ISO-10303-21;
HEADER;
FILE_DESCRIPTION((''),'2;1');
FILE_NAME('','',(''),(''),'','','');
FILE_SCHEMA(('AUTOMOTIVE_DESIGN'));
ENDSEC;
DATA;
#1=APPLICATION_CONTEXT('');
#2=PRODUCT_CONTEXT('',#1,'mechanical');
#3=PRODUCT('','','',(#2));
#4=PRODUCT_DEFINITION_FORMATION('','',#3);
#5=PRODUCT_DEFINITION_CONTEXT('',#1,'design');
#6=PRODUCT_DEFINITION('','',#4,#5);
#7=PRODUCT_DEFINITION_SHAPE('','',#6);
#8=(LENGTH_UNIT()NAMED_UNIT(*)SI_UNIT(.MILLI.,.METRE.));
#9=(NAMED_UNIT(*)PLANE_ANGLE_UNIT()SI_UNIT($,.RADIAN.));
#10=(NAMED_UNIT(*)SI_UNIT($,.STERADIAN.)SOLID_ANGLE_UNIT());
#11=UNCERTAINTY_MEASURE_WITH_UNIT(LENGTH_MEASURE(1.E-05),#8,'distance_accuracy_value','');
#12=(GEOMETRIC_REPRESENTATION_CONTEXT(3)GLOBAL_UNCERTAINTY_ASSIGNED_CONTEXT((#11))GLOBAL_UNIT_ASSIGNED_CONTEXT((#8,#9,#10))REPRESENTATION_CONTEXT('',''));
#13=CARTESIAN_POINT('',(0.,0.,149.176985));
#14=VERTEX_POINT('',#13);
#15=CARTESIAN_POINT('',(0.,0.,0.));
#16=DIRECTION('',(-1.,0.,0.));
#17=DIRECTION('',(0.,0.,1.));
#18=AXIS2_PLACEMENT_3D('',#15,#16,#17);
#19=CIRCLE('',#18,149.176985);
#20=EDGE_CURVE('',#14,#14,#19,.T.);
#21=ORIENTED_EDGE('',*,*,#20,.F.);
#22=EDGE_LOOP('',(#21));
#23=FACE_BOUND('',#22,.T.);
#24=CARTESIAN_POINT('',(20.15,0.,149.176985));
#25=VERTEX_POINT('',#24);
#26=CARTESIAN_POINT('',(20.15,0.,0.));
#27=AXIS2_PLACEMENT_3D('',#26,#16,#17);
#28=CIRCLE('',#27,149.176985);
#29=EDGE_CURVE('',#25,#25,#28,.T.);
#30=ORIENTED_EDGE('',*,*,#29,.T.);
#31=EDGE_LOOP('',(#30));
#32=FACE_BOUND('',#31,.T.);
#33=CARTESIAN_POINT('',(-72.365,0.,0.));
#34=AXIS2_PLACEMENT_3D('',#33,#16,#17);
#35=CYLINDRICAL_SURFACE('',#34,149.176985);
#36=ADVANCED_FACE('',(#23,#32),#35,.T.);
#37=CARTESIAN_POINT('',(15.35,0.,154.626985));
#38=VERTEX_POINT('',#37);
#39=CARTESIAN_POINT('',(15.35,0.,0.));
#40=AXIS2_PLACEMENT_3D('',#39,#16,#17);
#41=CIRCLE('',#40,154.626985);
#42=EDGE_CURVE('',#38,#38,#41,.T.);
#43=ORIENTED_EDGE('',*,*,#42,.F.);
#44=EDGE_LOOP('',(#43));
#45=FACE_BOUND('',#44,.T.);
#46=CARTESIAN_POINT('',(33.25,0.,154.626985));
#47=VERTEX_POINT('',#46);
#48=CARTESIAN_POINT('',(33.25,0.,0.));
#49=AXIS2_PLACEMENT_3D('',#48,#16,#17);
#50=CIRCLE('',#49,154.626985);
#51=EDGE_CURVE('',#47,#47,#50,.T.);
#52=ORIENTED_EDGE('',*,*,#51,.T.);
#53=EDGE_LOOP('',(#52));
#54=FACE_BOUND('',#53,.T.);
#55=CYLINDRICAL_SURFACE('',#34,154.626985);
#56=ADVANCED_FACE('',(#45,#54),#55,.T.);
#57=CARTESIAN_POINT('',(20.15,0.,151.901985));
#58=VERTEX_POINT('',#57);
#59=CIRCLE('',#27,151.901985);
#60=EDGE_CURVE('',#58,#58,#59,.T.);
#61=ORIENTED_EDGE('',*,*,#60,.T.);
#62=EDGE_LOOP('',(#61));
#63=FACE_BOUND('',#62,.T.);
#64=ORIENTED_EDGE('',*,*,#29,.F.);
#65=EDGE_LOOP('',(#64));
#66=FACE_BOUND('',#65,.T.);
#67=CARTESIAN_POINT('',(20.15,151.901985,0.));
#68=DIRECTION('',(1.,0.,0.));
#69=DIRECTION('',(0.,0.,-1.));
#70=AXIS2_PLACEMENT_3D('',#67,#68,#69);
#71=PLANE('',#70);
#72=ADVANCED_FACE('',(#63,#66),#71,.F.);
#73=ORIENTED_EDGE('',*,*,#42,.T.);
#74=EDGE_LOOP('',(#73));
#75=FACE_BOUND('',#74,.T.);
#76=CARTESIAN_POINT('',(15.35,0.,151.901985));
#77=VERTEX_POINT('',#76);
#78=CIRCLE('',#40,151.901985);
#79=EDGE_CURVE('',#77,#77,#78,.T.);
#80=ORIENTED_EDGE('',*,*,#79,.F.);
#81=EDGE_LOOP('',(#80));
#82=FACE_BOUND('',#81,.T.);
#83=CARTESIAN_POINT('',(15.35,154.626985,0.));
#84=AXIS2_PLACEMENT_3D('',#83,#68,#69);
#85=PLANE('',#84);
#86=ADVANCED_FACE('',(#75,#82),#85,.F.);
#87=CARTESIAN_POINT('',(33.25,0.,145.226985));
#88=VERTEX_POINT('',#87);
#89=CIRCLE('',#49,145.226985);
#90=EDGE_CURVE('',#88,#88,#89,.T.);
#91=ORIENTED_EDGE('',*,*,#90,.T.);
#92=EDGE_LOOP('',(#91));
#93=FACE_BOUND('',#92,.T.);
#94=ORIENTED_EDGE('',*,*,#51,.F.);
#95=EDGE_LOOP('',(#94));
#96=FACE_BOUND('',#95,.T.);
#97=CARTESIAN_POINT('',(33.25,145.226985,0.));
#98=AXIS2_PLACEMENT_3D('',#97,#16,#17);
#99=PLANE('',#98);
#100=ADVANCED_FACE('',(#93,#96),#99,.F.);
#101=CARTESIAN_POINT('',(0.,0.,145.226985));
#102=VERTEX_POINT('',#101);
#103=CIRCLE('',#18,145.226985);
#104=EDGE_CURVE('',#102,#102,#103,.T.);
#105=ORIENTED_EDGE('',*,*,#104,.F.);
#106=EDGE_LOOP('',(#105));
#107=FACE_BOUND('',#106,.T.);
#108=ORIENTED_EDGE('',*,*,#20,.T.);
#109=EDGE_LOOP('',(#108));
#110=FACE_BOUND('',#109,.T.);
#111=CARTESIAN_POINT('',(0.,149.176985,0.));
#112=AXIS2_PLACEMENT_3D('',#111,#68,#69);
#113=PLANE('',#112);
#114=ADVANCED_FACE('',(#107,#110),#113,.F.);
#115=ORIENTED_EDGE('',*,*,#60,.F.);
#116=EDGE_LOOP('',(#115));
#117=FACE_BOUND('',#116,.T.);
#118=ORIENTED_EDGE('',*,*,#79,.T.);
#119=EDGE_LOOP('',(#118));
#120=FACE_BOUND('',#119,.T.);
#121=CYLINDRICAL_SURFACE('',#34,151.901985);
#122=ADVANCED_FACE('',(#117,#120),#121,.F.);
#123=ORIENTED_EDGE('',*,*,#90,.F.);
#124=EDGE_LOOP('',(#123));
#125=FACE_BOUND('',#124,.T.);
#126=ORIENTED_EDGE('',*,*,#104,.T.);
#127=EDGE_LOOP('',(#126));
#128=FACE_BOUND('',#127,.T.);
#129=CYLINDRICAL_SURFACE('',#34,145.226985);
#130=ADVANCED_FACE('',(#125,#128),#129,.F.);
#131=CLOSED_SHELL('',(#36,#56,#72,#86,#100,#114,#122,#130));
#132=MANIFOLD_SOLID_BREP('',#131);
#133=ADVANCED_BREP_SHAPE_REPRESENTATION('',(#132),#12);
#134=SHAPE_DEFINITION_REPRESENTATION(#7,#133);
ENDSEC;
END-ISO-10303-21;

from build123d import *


with BuildPart() as part:
    # Sketch2 → Revolve1 (revolve)
    with BuildSketch(Plane.XY, mode=Mode.PRIVATE) as revolve1_sk:
        Polygon((0, 145.226985009), (33.25, 145.226985009), (33.25, 154.626985009), (15.35, 154.626985009), (15.35, 151.901985009), (20.15, 151.901985009), (20.15, 149.176985009), (0, 149.176985009), align=None)
    revolve(revolve1_sk.sketch.rotate(Axis((-72.365, 0, 0), (1, 0, 0)), 90), axis=Axis((-72.365, 0, 0), (1, 0, 0)))


solid = part.part
